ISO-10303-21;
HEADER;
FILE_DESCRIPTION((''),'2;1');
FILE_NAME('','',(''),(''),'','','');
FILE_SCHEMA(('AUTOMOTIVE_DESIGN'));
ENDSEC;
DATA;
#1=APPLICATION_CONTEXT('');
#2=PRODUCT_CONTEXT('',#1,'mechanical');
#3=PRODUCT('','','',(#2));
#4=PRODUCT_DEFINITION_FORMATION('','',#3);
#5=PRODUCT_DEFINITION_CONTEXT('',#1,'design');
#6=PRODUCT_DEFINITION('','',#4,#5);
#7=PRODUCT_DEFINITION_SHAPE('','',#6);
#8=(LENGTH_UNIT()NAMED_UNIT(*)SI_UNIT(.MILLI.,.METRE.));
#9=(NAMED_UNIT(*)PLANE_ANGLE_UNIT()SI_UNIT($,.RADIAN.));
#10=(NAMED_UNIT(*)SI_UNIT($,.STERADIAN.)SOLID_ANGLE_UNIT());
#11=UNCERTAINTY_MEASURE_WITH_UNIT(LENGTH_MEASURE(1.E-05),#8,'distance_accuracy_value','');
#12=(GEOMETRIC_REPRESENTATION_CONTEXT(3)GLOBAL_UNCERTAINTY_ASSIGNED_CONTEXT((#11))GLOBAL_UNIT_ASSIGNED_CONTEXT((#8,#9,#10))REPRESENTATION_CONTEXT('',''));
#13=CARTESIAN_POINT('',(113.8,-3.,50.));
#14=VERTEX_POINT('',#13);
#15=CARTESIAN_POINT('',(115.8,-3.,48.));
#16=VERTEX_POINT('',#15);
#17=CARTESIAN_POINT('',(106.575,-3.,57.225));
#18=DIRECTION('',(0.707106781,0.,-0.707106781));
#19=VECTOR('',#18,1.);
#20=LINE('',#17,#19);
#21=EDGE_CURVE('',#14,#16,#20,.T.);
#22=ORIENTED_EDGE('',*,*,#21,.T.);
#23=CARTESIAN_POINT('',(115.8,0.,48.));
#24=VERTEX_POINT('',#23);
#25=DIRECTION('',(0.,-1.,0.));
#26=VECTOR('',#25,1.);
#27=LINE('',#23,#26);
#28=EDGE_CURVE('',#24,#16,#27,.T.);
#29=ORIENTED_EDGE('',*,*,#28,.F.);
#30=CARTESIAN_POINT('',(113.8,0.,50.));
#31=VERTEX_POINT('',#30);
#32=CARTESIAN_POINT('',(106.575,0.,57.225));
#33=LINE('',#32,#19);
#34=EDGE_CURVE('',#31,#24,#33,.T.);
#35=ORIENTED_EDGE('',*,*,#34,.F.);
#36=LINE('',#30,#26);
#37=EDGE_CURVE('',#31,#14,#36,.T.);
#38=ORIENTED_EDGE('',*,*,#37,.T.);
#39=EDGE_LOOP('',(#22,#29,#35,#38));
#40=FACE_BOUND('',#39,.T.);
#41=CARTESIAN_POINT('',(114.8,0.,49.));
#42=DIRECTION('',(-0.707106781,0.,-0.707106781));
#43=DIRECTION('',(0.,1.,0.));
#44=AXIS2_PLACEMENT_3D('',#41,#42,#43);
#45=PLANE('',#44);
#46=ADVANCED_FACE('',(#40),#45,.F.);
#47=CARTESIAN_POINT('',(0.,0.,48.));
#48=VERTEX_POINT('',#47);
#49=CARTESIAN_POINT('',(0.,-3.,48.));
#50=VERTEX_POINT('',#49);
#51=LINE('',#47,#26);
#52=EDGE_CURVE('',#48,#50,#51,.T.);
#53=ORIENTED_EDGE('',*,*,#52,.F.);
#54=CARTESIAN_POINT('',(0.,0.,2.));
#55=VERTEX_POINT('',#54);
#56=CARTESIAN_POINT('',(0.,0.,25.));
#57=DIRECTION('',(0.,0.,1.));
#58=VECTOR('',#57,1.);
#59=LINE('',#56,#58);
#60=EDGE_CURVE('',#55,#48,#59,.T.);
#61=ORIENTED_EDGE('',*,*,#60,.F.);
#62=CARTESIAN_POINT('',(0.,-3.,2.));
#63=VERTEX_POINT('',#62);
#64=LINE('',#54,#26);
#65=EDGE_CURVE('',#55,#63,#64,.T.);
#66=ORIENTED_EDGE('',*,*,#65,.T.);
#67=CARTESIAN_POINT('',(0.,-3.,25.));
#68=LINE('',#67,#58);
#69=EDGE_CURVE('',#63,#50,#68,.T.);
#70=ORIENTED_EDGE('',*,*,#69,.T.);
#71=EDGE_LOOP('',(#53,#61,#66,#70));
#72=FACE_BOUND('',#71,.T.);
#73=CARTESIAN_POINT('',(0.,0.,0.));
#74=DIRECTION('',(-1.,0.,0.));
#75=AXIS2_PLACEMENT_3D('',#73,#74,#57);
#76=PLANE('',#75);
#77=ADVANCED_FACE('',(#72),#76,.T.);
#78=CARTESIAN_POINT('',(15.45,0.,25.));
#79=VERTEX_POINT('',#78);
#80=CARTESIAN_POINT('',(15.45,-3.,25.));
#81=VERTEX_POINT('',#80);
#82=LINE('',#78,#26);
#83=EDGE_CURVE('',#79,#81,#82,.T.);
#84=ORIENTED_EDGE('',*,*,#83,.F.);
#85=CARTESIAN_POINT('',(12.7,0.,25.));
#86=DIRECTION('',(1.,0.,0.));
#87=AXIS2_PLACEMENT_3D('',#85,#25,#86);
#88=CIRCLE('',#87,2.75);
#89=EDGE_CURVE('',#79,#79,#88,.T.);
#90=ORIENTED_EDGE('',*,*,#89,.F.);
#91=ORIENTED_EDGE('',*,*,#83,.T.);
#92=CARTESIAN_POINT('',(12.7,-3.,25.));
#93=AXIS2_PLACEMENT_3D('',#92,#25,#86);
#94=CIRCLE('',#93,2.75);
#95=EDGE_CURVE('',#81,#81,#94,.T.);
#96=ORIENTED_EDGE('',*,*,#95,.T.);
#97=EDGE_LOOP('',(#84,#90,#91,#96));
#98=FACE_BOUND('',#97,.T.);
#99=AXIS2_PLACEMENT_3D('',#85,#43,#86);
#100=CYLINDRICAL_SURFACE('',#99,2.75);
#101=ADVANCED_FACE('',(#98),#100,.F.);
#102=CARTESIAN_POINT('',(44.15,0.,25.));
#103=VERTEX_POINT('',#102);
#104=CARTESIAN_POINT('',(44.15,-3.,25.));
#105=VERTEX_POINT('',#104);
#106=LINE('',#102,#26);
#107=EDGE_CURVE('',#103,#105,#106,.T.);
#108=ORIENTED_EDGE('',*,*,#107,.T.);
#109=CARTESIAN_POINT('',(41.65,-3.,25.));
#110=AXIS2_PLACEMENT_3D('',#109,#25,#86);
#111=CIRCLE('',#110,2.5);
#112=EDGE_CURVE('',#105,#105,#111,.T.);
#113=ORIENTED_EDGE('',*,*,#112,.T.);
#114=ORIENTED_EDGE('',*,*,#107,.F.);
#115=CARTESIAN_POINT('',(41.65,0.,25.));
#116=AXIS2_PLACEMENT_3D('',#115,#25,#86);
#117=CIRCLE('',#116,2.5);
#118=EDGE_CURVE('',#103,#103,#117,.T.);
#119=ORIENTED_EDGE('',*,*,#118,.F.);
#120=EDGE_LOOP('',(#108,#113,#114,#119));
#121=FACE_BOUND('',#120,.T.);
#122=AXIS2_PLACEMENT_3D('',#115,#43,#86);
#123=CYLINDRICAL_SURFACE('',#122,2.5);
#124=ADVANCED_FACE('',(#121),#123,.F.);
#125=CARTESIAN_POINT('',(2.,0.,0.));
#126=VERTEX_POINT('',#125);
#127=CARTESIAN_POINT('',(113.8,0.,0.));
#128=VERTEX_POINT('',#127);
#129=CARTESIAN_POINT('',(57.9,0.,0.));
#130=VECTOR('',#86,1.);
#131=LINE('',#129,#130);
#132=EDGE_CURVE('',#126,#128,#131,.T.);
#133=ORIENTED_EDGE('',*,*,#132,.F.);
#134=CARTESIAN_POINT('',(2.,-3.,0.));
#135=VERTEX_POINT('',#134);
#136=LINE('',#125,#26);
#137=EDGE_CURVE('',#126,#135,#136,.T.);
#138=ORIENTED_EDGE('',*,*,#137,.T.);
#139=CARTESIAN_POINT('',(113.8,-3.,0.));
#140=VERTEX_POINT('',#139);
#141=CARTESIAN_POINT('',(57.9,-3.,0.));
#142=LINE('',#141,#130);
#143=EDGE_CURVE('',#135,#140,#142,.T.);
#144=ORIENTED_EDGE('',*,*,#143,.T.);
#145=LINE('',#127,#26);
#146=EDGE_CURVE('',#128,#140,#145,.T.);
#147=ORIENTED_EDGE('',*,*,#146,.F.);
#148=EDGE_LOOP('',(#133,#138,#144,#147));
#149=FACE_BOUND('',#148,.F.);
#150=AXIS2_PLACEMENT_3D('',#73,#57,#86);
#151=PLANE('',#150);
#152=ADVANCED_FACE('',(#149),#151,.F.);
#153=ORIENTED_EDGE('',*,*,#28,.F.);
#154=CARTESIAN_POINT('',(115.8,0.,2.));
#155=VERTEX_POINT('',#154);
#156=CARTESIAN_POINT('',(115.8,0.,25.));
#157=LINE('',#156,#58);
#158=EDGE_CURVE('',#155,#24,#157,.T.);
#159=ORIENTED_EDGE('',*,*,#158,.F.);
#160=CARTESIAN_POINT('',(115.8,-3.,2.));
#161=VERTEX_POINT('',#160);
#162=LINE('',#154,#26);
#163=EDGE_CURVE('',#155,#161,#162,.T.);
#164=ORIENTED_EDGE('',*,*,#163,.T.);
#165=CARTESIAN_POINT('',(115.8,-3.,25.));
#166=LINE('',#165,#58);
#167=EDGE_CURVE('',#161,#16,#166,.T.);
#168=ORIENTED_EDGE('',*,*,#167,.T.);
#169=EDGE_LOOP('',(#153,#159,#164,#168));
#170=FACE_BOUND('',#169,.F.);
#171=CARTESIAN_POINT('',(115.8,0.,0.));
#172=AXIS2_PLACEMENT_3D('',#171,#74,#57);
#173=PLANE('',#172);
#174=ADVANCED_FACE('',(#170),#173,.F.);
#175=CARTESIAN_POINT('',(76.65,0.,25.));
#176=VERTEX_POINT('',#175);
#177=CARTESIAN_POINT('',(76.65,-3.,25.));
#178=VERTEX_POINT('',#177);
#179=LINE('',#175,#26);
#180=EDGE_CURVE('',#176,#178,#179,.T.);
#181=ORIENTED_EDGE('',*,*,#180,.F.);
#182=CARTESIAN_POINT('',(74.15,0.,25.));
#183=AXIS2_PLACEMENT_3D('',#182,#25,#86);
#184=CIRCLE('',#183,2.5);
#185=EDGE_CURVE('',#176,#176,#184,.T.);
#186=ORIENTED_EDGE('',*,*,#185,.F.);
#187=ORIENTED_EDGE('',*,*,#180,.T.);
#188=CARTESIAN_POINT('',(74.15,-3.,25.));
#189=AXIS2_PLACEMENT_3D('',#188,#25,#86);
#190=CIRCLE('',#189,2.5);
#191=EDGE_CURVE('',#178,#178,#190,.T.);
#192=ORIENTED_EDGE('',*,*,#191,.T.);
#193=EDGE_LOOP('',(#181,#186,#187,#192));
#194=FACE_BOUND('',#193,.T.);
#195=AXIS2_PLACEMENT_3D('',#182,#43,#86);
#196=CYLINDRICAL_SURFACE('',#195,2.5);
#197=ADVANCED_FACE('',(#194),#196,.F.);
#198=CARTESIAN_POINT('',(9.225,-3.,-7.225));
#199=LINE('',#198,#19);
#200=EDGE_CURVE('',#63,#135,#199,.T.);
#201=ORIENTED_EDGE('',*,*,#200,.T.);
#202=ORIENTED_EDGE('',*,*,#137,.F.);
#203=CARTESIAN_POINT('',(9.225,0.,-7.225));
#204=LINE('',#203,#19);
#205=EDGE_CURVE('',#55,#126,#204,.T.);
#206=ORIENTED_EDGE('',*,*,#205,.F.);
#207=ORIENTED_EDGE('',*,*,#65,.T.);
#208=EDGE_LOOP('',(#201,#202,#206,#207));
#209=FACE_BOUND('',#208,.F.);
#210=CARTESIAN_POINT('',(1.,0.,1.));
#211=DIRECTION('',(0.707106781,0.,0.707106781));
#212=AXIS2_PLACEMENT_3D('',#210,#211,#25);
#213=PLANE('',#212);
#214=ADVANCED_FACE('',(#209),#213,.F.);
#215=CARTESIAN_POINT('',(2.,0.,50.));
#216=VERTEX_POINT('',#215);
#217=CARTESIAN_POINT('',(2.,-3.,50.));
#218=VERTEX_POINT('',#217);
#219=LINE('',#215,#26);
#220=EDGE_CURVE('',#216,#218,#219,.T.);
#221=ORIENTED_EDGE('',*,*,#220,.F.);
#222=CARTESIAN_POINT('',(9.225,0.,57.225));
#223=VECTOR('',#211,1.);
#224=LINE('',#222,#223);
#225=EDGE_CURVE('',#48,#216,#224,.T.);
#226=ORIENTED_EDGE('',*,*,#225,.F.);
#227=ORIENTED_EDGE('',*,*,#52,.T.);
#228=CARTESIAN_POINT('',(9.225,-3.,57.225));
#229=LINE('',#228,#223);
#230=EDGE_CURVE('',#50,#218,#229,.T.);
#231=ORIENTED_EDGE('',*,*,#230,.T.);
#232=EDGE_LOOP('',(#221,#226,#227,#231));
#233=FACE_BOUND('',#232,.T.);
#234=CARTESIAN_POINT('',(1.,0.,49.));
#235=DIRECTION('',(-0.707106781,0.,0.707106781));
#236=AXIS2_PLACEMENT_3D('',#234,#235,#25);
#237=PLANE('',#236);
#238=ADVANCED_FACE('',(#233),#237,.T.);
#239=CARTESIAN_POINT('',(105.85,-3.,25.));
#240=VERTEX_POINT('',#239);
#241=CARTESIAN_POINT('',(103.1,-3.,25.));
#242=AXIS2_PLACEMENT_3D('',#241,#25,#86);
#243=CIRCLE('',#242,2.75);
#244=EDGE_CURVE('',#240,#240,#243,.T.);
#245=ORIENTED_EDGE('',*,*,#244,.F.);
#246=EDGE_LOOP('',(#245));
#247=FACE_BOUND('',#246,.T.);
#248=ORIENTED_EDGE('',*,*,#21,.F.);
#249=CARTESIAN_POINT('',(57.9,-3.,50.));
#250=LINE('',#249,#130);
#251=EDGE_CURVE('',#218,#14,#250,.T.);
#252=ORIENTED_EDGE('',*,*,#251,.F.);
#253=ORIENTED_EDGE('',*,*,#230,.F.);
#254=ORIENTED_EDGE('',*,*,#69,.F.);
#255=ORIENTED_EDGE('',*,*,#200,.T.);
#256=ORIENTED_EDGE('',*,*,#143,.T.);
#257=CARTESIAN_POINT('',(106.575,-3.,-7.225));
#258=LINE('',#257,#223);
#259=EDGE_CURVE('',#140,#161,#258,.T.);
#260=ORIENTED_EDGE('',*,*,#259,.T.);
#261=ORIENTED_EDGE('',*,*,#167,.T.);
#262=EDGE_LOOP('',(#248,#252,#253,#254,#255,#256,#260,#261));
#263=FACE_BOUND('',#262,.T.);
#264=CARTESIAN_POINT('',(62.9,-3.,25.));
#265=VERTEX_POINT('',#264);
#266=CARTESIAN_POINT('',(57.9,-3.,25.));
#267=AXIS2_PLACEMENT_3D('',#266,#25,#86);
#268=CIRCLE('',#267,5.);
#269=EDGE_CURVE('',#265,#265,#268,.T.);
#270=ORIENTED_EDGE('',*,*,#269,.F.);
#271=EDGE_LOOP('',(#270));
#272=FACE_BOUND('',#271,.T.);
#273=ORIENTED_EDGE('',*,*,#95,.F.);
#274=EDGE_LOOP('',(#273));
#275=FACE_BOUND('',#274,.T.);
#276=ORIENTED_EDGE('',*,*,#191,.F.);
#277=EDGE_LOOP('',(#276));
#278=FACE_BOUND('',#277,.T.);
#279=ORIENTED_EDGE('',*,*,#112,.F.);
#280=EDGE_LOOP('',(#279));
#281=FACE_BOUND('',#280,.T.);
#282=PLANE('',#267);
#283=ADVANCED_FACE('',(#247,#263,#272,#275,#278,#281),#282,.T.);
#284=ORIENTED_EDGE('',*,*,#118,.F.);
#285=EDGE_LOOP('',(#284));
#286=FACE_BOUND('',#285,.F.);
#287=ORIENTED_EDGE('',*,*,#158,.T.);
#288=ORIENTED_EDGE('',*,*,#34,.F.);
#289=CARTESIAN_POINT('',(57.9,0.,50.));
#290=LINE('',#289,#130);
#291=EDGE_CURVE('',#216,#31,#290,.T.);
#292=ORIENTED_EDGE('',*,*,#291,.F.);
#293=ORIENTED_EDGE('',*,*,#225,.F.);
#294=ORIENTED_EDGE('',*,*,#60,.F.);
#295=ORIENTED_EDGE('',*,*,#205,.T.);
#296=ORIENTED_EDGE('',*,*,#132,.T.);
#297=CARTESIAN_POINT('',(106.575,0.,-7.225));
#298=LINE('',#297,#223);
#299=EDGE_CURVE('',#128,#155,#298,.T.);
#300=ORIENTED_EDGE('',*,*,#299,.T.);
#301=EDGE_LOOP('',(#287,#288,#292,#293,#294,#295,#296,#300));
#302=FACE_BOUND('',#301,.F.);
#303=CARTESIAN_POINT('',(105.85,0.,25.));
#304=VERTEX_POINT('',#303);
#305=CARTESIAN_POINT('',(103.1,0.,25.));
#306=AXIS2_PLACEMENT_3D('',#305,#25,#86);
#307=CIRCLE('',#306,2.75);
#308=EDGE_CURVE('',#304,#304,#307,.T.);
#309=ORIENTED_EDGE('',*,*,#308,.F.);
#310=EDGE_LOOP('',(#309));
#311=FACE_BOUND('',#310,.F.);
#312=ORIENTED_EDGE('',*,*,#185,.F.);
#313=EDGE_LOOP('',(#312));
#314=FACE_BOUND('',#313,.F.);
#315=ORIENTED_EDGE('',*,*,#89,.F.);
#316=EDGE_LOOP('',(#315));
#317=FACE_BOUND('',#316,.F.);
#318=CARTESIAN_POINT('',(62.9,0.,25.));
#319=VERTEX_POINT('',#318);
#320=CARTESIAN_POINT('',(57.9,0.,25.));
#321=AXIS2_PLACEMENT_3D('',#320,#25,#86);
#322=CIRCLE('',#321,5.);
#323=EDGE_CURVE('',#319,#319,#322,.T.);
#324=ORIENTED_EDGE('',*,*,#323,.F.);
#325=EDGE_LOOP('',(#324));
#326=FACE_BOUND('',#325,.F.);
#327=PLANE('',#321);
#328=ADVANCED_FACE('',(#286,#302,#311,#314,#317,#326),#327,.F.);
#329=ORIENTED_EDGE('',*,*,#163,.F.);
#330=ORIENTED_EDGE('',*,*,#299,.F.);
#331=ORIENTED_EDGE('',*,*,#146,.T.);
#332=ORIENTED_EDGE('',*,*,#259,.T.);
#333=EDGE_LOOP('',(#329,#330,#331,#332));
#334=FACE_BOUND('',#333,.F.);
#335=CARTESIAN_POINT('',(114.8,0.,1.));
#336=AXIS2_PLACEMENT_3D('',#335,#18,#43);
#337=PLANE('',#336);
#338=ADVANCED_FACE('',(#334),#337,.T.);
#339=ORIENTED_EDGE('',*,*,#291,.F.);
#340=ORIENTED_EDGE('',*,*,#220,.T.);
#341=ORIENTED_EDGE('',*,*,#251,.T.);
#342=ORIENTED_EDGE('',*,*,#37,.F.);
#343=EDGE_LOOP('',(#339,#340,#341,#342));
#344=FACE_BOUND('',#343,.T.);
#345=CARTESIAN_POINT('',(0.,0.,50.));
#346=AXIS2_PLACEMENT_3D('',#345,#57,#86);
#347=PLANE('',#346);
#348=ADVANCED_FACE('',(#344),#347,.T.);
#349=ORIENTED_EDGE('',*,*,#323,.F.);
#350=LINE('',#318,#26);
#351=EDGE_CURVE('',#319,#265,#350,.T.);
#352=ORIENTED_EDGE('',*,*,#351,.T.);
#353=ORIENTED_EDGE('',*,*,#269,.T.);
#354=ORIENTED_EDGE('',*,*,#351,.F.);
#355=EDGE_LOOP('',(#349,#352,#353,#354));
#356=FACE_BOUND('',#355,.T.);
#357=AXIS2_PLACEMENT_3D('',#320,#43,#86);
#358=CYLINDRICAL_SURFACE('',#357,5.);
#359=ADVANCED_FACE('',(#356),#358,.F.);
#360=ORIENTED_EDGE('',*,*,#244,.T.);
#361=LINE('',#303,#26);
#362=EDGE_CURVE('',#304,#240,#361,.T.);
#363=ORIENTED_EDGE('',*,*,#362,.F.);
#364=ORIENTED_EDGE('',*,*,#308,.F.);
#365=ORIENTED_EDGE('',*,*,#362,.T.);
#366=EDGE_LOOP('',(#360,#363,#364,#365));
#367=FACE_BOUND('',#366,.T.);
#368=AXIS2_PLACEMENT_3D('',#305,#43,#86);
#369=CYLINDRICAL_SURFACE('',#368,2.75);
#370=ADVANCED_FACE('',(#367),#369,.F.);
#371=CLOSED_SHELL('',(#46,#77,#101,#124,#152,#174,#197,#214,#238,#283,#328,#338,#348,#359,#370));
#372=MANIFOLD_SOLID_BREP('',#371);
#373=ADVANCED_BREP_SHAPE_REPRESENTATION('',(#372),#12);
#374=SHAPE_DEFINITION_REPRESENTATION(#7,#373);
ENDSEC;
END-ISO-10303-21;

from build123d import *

# Parameters (mm, degrees)
F0_W     = 115.8
F0_H     = 50
F0_R     = 2.75
F0_R_2   = 2.5
F0_R_3   = 5
F1_DEPTH = 3
F2_SIZE  = 2


with BuildPart() as f1:
    # F0 (on Front) → F1 (new body)
    with BuildSketch(Plane.XZ):
        with Locations((57.9, 25)):
            Rectangle(F0_W, F0_H)
        with Locations((12.7, 25)):
            Circle(F0_R, mode=Mode.SUBTRACT)
        with Locations((41.65, 25)):
            Circle(F0_R_2, mode=Mode.SUBTRACT)
        with Locations((57.9, 25)):
            Circle(F0_R_3, mode=Mode.SUBTRACT)
        with Locations((74.15, 25)):
            Circle(F0_R_2, mode=Mode.SUBTRACT)
        with Locations((103.1, 25)):
            Circle(F0_R, mode=Mode.SUBTRACT)
    extrude(amount=F1_DEPTH)

    # F2
    f2_edges = [f1.edges().sort_by_distance(p)[0] for p in [
        (0, -1.5, 0),
        (0, -1.5, 50),
        (115.8, -1.5, 0),
        (115.8, -1.5, 50),
    ]]
    chamfer(f2_edges, length=F2_SIZE)


solid = f1.part
